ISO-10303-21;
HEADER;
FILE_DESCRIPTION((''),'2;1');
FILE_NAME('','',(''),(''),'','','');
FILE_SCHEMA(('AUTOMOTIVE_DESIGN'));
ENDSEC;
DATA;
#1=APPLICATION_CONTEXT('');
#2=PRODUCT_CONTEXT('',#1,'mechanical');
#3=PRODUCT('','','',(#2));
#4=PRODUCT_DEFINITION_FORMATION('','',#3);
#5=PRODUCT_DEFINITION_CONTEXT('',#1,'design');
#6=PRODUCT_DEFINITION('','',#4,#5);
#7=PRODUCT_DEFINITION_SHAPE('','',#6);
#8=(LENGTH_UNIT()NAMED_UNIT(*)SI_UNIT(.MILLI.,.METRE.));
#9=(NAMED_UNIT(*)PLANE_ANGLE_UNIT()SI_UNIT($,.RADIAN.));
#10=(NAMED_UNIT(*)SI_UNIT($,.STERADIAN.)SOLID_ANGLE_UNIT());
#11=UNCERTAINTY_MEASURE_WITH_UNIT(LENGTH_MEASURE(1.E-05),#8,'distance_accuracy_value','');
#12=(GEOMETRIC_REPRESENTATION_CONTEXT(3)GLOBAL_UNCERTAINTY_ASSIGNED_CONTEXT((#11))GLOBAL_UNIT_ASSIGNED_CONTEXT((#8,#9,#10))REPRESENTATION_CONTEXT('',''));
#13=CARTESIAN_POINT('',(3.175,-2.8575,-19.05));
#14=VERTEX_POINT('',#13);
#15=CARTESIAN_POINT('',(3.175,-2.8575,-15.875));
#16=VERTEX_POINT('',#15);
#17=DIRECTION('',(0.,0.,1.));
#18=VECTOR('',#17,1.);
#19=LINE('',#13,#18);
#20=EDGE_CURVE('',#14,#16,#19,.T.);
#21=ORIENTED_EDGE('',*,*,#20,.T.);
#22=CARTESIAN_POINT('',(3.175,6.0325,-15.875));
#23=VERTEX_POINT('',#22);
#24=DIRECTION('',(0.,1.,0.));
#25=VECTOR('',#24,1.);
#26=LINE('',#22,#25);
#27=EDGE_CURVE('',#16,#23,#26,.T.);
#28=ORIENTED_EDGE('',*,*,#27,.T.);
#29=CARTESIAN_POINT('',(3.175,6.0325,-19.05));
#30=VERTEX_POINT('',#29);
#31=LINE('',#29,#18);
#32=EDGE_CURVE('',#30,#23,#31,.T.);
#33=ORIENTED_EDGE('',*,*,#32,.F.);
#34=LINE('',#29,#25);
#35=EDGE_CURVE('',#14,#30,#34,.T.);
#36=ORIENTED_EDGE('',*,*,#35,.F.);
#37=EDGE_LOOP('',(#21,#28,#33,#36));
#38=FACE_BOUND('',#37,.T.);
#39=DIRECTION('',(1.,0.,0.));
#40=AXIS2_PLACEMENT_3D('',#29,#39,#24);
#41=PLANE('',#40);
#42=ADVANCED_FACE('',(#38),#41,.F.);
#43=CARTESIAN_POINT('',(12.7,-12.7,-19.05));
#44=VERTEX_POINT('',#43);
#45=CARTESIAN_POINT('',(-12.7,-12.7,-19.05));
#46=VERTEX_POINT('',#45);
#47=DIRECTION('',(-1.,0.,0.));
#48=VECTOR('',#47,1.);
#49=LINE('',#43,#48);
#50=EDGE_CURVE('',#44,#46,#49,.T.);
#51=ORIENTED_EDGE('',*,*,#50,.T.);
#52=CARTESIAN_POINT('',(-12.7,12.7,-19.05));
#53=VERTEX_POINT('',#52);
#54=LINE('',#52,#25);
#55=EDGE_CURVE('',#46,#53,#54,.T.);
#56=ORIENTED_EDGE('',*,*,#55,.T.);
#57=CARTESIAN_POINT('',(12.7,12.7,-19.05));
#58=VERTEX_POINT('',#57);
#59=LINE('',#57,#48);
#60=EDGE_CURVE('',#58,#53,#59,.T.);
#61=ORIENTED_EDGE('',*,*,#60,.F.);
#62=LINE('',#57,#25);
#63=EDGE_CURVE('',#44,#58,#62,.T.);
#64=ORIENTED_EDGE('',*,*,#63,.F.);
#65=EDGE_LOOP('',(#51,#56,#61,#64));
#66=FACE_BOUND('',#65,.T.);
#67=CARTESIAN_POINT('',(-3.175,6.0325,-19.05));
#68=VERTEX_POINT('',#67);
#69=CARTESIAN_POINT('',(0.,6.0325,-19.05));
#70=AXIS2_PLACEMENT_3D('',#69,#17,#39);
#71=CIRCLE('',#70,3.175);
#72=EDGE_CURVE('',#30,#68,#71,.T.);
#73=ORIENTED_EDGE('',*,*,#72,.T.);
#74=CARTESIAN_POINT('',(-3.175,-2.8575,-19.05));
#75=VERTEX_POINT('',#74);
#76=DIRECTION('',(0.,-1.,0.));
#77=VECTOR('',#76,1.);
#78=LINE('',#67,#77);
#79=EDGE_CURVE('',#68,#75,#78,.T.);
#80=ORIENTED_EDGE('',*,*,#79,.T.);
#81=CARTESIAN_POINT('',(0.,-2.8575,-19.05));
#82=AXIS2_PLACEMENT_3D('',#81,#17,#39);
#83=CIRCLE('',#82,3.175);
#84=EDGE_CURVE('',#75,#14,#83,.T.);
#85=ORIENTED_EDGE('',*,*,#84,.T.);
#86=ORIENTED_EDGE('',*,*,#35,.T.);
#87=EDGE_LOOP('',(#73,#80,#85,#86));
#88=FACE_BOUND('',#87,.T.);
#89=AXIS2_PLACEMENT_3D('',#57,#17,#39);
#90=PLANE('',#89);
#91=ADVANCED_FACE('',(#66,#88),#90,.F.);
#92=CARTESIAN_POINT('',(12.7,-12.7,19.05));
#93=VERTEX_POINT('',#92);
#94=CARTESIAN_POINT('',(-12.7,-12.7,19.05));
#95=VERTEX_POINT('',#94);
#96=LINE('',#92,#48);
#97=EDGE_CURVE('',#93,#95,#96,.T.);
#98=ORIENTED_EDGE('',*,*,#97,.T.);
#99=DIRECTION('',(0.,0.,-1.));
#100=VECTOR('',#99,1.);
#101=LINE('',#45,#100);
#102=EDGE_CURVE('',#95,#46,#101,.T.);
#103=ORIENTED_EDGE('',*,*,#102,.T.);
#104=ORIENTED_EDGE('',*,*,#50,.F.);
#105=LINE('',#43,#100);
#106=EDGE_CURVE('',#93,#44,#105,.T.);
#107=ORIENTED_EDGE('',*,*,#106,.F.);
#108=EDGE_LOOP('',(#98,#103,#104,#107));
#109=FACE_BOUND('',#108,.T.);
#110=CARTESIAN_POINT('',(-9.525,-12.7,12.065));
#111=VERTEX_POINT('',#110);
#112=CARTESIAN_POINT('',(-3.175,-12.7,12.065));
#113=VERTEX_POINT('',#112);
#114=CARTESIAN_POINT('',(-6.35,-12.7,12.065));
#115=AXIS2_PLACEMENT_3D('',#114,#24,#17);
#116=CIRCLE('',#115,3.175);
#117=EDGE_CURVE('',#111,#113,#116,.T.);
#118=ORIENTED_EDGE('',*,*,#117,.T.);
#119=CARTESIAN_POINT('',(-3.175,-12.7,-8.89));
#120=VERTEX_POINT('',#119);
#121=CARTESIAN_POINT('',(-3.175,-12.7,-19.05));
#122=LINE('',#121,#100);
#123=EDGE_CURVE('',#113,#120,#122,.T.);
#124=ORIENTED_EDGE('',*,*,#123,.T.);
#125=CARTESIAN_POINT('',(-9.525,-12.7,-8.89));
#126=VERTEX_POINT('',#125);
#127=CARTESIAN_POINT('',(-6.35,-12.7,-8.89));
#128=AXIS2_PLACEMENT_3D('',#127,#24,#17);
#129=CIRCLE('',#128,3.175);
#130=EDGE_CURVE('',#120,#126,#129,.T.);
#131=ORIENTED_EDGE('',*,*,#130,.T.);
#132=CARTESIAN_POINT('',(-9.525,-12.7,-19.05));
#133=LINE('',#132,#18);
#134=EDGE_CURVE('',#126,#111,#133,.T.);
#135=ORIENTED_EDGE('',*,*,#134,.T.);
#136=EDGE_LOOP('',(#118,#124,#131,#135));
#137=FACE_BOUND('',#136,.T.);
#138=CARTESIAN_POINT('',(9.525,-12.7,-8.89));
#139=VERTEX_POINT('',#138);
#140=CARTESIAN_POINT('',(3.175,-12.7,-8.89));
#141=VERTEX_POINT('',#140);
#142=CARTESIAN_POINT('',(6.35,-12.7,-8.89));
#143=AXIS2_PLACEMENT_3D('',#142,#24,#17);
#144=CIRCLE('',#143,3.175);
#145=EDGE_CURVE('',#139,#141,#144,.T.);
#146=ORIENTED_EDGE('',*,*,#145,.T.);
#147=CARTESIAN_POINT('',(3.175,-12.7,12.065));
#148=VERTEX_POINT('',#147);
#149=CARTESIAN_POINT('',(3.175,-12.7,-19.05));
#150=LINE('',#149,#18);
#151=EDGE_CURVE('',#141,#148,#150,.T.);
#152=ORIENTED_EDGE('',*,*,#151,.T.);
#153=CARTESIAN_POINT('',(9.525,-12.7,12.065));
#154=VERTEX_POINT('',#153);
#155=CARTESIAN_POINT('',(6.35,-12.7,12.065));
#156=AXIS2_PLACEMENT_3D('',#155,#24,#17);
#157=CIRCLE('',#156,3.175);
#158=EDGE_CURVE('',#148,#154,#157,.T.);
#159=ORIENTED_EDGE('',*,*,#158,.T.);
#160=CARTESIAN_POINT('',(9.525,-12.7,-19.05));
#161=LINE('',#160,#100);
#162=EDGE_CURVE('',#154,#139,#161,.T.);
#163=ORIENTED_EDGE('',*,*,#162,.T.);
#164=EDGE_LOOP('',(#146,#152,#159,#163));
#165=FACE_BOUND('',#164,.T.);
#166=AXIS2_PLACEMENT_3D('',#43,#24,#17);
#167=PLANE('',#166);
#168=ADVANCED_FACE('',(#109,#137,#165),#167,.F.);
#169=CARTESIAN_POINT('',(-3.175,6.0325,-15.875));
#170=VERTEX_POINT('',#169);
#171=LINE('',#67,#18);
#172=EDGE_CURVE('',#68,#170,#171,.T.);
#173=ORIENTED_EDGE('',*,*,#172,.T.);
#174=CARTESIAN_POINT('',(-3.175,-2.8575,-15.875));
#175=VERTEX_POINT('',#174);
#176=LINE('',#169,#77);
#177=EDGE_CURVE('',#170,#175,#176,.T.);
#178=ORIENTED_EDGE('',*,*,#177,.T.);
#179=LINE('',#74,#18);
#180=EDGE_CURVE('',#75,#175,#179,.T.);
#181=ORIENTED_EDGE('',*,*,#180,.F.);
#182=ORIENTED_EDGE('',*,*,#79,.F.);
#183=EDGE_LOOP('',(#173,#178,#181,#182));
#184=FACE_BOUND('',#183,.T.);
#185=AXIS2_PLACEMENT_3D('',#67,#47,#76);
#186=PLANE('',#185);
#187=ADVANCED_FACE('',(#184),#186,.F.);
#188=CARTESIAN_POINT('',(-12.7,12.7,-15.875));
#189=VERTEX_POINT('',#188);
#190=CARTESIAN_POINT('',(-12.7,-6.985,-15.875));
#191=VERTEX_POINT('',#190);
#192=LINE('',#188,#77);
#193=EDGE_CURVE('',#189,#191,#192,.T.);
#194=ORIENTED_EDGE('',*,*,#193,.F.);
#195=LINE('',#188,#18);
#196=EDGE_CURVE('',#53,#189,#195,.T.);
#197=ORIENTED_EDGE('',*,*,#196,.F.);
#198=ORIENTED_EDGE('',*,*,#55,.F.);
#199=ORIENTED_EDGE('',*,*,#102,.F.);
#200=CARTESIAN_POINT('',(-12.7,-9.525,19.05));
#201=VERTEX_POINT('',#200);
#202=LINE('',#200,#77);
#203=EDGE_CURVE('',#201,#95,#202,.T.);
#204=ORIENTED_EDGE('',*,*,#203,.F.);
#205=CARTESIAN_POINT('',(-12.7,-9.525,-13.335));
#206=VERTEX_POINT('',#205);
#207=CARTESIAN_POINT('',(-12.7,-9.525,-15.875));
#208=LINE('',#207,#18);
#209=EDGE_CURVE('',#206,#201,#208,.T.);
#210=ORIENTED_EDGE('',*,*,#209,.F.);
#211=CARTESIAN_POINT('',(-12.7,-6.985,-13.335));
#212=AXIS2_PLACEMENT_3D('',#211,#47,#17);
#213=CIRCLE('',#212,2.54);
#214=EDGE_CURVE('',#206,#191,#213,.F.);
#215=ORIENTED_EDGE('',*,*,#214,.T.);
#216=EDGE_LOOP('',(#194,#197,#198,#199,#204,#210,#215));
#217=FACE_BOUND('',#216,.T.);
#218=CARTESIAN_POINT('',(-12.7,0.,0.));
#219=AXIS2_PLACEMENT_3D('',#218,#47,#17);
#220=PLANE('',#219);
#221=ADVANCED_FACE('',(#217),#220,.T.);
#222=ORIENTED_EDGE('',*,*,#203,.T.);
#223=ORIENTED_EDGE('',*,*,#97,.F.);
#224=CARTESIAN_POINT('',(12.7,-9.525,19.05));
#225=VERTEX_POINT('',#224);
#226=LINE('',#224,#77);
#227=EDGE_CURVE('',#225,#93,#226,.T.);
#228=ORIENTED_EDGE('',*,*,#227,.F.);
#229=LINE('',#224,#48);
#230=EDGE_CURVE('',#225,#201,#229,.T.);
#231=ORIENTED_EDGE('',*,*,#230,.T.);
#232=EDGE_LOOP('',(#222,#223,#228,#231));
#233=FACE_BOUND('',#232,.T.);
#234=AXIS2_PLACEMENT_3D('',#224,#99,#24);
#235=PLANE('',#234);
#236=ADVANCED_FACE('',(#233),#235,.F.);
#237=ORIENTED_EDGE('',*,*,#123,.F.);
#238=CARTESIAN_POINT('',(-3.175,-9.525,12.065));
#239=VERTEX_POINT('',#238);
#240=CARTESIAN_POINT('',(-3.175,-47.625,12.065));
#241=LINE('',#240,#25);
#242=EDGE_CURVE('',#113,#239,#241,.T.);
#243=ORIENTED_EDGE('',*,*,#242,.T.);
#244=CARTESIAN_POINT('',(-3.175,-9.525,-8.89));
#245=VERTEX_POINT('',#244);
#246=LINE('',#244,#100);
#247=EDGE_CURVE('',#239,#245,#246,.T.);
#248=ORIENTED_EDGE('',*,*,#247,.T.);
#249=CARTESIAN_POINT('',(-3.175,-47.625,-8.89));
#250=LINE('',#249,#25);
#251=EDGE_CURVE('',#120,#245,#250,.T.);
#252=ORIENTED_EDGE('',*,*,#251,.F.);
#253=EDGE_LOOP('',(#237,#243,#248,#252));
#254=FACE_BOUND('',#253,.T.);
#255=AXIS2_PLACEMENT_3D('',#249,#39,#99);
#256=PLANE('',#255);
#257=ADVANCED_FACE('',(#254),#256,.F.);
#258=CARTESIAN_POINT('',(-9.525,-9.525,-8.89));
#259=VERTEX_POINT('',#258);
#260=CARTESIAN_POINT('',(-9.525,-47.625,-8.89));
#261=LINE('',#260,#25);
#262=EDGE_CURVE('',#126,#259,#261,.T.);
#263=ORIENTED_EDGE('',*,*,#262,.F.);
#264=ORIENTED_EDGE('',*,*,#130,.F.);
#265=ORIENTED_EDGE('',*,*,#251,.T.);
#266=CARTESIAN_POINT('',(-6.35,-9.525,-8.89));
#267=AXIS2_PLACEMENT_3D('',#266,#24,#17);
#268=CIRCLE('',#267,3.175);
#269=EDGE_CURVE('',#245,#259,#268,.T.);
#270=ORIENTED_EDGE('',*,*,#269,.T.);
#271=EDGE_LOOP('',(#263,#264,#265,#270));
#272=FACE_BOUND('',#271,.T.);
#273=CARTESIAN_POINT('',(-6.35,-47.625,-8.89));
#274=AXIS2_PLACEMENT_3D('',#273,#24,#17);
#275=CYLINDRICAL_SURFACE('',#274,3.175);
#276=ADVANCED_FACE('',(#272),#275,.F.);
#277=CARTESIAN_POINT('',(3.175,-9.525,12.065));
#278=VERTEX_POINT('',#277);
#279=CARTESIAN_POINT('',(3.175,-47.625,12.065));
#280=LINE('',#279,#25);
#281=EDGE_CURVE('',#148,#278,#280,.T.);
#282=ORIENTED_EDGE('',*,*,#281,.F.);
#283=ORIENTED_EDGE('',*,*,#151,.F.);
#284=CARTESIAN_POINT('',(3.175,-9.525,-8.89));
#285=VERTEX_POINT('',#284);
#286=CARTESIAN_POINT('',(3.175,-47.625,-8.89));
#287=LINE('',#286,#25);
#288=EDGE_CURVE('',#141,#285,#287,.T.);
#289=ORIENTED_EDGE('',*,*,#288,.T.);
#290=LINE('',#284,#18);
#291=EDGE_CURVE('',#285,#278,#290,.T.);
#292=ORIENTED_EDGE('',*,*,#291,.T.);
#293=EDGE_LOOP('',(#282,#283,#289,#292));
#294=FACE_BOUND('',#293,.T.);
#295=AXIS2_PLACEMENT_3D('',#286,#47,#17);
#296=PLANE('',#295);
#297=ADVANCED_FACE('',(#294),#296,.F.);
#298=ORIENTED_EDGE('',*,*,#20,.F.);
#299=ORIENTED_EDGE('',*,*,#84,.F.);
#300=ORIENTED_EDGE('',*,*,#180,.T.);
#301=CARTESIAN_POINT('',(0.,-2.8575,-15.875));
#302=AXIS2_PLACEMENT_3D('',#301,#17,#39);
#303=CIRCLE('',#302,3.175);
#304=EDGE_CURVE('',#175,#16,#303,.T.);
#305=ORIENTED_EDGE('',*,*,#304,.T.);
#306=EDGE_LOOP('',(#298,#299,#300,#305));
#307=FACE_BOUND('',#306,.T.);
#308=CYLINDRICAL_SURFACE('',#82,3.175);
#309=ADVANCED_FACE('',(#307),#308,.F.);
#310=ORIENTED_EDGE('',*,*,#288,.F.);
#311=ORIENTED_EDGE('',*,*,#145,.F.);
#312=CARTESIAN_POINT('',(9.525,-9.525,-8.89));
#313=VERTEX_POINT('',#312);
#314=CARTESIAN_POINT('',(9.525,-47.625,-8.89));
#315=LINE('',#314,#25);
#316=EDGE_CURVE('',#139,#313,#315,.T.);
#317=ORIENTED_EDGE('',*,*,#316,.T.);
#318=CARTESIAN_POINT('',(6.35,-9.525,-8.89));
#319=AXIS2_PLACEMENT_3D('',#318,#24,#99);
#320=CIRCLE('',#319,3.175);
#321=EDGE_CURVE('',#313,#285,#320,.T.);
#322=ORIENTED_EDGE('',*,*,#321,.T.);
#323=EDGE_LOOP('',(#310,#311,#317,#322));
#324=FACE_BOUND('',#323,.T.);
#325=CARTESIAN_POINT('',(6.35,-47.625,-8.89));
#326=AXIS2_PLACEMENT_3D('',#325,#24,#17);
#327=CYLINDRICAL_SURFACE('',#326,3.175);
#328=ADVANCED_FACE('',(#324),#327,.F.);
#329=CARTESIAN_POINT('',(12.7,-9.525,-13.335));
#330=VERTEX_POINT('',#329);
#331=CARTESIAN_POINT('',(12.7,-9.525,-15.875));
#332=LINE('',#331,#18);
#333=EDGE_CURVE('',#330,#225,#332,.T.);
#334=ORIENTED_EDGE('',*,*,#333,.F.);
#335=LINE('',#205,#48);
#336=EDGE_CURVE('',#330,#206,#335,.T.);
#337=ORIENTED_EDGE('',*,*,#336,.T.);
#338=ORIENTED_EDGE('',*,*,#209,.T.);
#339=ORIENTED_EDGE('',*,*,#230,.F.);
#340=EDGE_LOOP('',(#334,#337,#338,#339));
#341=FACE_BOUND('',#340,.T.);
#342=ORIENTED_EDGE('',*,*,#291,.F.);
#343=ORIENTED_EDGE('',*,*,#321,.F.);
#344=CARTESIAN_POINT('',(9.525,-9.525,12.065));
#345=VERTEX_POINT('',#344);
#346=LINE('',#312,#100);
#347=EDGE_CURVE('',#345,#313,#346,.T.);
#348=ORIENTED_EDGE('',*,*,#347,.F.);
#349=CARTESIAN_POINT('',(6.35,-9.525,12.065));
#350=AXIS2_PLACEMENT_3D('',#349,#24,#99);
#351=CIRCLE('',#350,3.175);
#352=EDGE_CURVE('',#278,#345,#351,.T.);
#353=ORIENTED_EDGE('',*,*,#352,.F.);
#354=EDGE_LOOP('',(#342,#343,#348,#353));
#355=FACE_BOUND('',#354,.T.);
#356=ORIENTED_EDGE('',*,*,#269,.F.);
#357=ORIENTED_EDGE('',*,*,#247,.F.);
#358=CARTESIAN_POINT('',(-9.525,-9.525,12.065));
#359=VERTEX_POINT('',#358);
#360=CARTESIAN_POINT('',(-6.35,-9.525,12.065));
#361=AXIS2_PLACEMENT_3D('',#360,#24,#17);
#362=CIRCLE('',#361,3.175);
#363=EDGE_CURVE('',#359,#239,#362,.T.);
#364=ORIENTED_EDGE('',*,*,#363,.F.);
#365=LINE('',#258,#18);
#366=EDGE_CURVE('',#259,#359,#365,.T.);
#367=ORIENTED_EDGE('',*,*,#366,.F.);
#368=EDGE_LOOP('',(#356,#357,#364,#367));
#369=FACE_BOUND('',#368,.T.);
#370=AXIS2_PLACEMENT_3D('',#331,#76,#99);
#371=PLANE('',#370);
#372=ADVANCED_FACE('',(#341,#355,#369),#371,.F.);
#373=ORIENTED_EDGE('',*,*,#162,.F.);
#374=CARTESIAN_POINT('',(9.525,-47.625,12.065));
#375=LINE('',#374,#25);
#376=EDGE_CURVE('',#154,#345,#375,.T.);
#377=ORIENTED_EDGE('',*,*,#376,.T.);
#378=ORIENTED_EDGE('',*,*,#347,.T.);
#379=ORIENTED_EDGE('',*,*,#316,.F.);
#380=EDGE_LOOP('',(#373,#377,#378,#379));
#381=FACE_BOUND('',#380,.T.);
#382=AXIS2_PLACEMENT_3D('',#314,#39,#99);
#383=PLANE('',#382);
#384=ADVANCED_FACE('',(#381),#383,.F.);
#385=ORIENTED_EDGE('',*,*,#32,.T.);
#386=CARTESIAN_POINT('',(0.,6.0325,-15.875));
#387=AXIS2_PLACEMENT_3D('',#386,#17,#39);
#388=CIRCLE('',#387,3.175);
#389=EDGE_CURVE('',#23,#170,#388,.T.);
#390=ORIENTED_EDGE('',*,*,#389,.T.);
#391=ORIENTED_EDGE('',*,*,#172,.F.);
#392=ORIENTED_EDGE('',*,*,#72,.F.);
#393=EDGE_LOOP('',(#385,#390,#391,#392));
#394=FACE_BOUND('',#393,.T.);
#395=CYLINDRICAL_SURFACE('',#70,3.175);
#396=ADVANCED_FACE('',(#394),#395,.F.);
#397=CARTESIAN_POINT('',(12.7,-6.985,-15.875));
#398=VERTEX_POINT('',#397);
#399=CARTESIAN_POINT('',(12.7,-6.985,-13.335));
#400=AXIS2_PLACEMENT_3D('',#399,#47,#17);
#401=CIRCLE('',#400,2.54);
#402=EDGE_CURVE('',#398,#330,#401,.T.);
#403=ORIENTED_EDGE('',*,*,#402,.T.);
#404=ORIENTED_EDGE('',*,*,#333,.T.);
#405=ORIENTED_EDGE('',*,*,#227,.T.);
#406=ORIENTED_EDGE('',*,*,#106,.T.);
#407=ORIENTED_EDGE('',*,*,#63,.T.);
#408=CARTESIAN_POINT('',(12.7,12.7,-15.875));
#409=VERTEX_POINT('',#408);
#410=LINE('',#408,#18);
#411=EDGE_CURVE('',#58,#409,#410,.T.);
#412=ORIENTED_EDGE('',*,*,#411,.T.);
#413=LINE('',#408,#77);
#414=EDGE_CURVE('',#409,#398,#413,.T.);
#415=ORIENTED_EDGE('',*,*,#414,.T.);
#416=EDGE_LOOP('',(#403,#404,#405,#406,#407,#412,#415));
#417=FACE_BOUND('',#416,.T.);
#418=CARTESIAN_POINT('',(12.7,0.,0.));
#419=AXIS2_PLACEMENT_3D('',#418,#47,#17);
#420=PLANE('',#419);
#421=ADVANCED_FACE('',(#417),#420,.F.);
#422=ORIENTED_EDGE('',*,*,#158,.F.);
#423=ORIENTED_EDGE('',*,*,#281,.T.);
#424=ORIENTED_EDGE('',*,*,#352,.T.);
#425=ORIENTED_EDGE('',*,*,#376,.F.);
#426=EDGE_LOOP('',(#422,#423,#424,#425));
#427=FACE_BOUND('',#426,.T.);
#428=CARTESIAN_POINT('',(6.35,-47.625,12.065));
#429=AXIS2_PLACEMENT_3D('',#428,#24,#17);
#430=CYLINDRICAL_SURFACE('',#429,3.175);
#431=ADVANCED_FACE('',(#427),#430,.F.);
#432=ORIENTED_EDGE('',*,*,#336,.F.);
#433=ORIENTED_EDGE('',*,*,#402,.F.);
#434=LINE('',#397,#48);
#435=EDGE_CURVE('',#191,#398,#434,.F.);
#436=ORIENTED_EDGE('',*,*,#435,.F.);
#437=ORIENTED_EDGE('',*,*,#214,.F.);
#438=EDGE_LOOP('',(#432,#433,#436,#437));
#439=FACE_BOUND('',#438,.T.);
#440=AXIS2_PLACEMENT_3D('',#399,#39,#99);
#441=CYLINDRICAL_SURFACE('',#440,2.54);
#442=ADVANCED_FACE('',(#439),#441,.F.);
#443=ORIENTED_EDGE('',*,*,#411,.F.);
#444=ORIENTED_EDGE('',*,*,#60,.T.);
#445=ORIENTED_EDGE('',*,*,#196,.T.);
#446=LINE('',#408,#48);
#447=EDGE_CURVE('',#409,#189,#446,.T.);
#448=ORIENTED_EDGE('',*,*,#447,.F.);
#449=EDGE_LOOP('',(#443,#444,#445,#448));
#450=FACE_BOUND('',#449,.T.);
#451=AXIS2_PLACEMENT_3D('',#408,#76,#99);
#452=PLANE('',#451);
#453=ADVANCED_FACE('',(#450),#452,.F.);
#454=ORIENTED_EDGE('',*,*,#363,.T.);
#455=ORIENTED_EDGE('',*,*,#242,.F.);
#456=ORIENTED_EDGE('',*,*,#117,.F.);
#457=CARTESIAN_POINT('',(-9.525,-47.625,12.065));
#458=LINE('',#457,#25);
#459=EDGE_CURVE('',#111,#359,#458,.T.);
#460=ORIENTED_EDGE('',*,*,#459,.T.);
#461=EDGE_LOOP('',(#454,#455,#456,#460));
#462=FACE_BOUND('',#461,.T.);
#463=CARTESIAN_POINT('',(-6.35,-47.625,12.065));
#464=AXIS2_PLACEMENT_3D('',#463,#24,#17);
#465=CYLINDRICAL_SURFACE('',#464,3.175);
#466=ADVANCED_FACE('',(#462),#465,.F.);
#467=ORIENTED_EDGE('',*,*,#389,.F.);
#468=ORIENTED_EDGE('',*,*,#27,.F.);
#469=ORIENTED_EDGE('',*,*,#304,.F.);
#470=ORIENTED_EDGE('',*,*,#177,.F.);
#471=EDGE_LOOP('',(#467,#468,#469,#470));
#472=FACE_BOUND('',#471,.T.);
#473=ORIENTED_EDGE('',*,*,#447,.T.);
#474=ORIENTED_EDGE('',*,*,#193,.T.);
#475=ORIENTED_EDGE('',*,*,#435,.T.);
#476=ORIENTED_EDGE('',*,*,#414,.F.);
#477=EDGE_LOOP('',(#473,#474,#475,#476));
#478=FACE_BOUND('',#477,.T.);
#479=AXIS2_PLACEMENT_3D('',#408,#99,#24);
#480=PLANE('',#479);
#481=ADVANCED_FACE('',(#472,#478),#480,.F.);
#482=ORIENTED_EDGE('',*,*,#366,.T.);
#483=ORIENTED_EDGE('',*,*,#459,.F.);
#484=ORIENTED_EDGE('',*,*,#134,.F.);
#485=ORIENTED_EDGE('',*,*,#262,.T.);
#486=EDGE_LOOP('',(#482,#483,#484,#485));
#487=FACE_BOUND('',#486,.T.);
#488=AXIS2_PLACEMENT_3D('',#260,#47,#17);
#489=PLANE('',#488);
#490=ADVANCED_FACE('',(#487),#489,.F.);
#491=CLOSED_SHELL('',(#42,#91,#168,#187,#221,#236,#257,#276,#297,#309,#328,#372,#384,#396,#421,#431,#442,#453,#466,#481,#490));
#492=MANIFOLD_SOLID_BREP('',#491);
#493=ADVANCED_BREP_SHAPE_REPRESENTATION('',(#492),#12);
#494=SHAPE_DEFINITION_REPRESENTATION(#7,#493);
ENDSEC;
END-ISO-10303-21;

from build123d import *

# Parameters (mm, degrees)
BOSS_EXTRUDE1_DEPTH      = 12.7
BOSS_EXTRUDE1_DEPTH_BACK = 12.7
CUT_EXTRUDE1_DEPTH       = 40.272581084
CUT_EXTRUDE2_DEPTH       = 38.1
FILLET1_R                = 2.54


with BuildPart() as part:
    # Sketch2 → Boss-Extrude1 (new, two sides: drawn at the far end of the back side and taken through both)
    with BuildSketch(Plane(origin=(0, 0, 0), x_dir=(0, 0, -1), z_dir=(1, 0, 0)).offset(-BOSS_EXTRUDE1_DEPTH_BACK)):
        Polygon((15.875, -9.525), (-19.05, -9.525), (-19.05, -12.7), (19.05, -12.7), (19.05, 12.7), (15.875, 12.7), align=None)
    extrude(amount=BOSS_EXTRUDE1_DEPTH + BOSS_EXTRUDE1_DEPTH_BACK)

    # Sketch4 → Cut-Extrude1 (cut, through all)
    with BuildSketch(Plane.XY.offset(-15.875)):
        with BuildLine():
            Line((-3.175, 6.0325), (-3.175, -2.8575))
            ThreePointArc((-3.175, -2.8575), (0, -6.0325), (3.175, -2.8575))
            Line((3.175, -2.8575), (3.175, 6.0325))
            ThreePointArc((3.175, 6.0325), (0, 9.2075), (-3.175, 6.0325))
        make_face()
    extrude(amount=-CUT_EXTRUDE1_DEPTH, mode=Mode.SUBTRACT)

    # Sketch5 → Cut-Extrude2 (cut)
    with BuildSketch(Plane(origin=(0, -9.525, 0), x_dir=(1, 0, 0), z_dir=(0, 1, 0))):
        with BuildLine():
            Line((-3.175, 8.89), (-3.175, -12.065))
            ThreePointArc((-3.175, -12.065), (-6.35, -15.24), (-9.525, -12.065))
            Line((-9.525, -12.065), (-9.525, 8.89))
            ThreePointArc((-9.525, 8.89), (-6.35, 12.065), (-3.175, 8.89))
        make_face()
        with BuildLine():
            Line((3.175, 8.89), (3.175, -12.065))
            ThreePointArc((3.175, -12.065), (6.35, -15.24), (9.525, -12.065))
            Line((9.525, -12.065), (9.525, 8.89))
            ThreePointArc((9.525, 8.89), (6.35, 12.065), (3.175, 8.89))
        make_face()
    extrude(amount=-CUT_EXTRUDE2_DEPTH, mode=Mode.SUBTRACT)

    # Fillet1
    fillet1_edges = [part.edges().sort_by_distance(p)[0] for p in [
        (0, -9.525, -15.875),
    ]]
    fillet(fillet1_edges, radius=FILLET1_R)


solid = part.part
